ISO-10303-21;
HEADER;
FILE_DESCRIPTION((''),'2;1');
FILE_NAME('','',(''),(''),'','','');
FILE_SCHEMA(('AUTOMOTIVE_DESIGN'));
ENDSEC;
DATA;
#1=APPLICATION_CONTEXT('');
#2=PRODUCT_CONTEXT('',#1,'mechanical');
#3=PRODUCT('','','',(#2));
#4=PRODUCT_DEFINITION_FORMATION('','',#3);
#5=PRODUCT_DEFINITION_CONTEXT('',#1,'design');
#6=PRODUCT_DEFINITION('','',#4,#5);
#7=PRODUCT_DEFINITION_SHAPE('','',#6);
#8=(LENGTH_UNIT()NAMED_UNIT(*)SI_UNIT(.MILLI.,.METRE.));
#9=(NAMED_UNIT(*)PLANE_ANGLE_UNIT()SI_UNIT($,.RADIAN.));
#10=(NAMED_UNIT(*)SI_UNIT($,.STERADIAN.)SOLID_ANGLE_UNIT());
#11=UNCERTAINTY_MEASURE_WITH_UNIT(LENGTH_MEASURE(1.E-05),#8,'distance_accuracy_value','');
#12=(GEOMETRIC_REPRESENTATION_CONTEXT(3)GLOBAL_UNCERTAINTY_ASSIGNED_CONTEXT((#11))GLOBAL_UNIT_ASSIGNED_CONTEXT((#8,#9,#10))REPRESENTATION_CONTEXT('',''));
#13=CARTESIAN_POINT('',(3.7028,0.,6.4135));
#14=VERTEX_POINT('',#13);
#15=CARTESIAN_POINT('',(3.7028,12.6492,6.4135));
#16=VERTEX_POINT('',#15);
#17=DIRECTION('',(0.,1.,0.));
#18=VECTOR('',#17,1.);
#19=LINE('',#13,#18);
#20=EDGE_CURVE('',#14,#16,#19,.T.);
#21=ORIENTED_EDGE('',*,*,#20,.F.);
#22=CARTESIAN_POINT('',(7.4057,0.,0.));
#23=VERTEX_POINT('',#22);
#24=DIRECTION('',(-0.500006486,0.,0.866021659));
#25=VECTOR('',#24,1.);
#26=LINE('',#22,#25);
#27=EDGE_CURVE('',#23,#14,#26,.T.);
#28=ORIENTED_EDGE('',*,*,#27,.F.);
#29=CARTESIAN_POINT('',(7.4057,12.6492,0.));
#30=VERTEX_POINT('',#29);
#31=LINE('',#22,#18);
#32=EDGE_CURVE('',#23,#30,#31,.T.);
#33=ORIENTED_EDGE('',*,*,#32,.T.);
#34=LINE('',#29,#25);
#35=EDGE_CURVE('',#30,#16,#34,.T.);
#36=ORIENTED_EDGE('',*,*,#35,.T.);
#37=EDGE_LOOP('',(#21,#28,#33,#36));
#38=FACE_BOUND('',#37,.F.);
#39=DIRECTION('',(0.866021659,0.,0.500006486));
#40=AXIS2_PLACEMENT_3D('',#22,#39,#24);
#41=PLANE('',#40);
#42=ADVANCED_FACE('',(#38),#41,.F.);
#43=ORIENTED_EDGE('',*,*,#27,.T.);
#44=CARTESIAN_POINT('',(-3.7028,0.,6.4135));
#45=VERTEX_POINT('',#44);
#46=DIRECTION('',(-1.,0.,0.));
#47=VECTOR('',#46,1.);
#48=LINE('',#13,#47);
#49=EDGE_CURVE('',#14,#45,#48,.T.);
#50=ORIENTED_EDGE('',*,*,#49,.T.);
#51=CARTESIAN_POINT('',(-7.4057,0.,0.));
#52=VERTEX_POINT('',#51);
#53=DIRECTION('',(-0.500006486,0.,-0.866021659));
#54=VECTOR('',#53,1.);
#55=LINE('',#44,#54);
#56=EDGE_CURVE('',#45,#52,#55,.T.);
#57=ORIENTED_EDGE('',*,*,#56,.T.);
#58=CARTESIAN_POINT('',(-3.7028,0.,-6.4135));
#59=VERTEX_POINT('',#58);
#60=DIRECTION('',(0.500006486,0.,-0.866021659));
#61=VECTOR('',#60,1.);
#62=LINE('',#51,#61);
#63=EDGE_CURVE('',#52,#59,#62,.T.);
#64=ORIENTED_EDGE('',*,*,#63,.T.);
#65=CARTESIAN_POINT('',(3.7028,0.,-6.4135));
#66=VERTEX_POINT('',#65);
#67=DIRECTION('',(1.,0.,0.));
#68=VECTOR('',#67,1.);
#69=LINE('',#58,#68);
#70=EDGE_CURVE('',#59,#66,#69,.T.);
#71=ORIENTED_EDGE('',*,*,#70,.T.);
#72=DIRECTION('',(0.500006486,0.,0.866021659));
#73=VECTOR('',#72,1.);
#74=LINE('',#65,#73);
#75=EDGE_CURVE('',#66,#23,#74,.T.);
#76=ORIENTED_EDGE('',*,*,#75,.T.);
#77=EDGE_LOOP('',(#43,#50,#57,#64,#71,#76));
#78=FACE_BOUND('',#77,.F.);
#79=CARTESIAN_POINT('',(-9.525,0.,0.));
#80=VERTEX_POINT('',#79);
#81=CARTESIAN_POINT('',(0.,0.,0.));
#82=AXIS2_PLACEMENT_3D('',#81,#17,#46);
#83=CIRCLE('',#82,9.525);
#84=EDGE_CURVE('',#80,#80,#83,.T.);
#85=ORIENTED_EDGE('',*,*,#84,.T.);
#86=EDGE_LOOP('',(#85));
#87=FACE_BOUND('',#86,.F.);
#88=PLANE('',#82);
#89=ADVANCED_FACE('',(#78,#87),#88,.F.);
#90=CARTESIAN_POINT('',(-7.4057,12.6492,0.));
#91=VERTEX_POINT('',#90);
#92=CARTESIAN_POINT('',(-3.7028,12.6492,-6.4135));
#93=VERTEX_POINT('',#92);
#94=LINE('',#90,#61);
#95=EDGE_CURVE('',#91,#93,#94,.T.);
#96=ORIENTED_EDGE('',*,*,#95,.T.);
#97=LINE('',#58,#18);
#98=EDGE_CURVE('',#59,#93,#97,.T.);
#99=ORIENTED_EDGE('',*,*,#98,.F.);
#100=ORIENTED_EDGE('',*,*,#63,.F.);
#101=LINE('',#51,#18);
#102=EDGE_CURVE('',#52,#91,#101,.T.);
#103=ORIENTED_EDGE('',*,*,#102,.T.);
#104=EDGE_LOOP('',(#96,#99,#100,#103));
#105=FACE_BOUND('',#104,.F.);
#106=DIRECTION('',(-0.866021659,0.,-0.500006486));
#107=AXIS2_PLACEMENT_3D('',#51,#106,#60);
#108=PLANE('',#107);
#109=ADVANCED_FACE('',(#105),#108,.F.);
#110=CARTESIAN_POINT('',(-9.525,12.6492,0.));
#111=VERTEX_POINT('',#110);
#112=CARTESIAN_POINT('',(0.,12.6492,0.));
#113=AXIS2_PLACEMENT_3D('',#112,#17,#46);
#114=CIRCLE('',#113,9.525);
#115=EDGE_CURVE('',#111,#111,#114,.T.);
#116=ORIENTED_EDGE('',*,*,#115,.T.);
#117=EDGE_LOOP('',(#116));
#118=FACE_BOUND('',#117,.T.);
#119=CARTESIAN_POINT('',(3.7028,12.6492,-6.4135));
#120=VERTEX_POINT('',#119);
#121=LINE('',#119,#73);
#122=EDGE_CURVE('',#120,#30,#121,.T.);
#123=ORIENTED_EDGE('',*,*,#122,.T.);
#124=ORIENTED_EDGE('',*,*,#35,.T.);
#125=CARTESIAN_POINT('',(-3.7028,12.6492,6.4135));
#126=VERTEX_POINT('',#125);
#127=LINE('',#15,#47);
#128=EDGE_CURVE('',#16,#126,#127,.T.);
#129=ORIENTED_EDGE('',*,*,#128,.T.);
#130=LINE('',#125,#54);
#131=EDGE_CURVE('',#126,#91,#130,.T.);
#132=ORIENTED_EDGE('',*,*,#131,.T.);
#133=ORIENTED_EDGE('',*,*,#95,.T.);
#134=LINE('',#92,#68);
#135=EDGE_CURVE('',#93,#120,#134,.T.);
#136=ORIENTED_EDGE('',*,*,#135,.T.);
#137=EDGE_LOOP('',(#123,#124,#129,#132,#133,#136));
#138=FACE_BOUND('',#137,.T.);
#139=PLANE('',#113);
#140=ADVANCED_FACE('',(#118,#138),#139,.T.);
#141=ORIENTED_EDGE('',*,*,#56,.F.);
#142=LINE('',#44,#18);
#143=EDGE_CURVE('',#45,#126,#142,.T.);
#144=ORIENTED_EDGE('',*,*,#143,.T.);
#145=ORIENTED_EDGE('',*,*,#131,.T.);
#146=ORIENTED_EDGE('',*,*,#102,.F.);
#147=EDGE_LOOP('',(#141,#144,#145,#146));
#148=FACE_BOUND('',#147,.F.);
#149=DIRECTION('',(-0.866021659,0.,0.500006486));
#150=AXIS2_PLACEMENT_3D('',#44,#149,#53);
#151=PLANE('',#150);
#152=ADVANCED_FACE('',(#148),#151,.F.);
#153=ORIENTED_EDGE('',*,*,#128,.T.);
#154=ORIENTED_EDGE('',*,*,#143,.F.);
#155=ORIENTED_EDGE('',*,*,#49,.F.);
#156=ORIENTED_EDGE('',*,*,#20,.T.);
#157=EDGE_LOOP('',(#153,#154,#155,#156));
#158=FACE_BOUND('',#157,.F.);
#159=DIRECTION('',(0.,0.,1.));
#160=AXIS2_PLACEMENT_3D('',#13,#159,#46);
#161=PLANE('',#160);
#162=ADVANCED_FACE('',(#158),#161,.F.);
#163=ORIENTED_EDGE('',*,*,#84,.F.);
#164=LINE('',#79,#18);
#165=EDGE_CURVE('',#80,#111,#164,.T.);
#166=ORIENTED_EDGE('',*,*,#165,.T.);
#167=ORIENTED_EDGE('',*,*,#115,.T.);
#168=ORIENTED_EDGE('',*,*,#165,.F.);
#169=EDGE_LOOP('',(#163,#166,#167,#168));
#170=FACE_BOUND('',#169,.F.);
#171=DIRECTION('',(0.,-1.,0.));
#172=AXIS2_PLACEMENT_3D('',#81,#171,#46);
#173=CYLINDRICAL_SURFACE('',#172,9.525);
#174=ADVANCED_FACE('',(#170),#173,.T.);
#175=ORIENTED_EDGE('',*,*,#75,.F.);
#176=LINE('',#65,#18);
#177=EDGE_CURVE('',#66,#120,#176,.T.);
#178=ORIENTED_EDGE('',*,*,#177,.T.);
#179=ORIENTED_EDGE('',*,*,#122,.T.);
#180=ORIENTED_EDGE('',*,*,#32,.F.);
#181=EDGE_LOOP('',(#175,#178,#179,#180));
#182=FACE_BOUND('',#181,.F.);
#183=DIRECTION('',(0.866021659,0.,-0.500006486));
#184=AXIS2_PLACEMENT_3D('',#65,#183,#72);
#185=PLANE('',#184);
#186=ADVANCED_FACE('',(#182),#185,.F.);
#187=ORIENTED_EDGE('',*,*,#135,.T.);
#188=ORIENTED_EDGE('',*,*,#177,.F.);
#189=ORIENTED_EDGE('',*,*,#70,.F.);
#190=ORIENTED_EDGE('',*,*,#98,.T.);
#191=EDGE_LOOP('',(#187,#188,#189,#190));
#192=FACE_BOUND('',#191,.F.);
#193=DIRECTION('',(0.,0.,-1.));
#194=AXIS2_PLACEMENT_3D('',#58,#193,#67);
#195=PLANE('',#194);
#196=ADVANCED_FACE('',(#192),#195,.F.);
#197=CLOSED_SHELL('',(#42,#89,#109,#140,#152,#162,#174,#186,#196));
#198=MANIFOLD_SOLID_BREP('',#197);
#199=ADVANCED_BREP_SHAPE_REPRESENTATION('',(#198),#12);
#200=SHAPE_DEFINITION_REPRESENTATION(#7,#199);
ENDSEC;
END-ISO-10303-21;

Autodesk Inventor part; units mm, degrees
ref_plane "YZ Plane" through (0, 0, 0) normal (1, 0, 0) x (0, 1, 0)
ref_plane "XZ Plane" through (0, 0, 0) normal (0, 1, 0) x (-1, 0, 0)
ref_plane "XY Plane" through (0, 0, 0) normal (0, 0, 1) x (1, 0, 0)
sketch "Sketch1" plane through (0, 0, 0) normal (0, 1, 0) x (-1, 0, 0)
  circle A0 centre (0, 0) radius 9.525
  line L0 (-3.7028, 6.4135) -> (3.7028, 6.4135)
  line L1 (3.7028, 6.4135) -> (7.4057, 0)
  line L2 (7.4057, 0) -> (3.7028, -6.4135)
  line L3 (3.7028, -6.4135) -> (-3.7028, -6.4135)
  line L4 (-3.7028, -6.4135) -> (-7.4057, 0)
  line L5 (-7.4057, 0) -> (-3.7028, 6.4135)
  dimension "d0" = 19.05
  dimension "d1" = 12.827
extrude "Extrusion1" add sketch "Sketch1" along normal blind 12.6492
properties part number "INDX_008_0.5inSpacer" material "ABS Plastic"
